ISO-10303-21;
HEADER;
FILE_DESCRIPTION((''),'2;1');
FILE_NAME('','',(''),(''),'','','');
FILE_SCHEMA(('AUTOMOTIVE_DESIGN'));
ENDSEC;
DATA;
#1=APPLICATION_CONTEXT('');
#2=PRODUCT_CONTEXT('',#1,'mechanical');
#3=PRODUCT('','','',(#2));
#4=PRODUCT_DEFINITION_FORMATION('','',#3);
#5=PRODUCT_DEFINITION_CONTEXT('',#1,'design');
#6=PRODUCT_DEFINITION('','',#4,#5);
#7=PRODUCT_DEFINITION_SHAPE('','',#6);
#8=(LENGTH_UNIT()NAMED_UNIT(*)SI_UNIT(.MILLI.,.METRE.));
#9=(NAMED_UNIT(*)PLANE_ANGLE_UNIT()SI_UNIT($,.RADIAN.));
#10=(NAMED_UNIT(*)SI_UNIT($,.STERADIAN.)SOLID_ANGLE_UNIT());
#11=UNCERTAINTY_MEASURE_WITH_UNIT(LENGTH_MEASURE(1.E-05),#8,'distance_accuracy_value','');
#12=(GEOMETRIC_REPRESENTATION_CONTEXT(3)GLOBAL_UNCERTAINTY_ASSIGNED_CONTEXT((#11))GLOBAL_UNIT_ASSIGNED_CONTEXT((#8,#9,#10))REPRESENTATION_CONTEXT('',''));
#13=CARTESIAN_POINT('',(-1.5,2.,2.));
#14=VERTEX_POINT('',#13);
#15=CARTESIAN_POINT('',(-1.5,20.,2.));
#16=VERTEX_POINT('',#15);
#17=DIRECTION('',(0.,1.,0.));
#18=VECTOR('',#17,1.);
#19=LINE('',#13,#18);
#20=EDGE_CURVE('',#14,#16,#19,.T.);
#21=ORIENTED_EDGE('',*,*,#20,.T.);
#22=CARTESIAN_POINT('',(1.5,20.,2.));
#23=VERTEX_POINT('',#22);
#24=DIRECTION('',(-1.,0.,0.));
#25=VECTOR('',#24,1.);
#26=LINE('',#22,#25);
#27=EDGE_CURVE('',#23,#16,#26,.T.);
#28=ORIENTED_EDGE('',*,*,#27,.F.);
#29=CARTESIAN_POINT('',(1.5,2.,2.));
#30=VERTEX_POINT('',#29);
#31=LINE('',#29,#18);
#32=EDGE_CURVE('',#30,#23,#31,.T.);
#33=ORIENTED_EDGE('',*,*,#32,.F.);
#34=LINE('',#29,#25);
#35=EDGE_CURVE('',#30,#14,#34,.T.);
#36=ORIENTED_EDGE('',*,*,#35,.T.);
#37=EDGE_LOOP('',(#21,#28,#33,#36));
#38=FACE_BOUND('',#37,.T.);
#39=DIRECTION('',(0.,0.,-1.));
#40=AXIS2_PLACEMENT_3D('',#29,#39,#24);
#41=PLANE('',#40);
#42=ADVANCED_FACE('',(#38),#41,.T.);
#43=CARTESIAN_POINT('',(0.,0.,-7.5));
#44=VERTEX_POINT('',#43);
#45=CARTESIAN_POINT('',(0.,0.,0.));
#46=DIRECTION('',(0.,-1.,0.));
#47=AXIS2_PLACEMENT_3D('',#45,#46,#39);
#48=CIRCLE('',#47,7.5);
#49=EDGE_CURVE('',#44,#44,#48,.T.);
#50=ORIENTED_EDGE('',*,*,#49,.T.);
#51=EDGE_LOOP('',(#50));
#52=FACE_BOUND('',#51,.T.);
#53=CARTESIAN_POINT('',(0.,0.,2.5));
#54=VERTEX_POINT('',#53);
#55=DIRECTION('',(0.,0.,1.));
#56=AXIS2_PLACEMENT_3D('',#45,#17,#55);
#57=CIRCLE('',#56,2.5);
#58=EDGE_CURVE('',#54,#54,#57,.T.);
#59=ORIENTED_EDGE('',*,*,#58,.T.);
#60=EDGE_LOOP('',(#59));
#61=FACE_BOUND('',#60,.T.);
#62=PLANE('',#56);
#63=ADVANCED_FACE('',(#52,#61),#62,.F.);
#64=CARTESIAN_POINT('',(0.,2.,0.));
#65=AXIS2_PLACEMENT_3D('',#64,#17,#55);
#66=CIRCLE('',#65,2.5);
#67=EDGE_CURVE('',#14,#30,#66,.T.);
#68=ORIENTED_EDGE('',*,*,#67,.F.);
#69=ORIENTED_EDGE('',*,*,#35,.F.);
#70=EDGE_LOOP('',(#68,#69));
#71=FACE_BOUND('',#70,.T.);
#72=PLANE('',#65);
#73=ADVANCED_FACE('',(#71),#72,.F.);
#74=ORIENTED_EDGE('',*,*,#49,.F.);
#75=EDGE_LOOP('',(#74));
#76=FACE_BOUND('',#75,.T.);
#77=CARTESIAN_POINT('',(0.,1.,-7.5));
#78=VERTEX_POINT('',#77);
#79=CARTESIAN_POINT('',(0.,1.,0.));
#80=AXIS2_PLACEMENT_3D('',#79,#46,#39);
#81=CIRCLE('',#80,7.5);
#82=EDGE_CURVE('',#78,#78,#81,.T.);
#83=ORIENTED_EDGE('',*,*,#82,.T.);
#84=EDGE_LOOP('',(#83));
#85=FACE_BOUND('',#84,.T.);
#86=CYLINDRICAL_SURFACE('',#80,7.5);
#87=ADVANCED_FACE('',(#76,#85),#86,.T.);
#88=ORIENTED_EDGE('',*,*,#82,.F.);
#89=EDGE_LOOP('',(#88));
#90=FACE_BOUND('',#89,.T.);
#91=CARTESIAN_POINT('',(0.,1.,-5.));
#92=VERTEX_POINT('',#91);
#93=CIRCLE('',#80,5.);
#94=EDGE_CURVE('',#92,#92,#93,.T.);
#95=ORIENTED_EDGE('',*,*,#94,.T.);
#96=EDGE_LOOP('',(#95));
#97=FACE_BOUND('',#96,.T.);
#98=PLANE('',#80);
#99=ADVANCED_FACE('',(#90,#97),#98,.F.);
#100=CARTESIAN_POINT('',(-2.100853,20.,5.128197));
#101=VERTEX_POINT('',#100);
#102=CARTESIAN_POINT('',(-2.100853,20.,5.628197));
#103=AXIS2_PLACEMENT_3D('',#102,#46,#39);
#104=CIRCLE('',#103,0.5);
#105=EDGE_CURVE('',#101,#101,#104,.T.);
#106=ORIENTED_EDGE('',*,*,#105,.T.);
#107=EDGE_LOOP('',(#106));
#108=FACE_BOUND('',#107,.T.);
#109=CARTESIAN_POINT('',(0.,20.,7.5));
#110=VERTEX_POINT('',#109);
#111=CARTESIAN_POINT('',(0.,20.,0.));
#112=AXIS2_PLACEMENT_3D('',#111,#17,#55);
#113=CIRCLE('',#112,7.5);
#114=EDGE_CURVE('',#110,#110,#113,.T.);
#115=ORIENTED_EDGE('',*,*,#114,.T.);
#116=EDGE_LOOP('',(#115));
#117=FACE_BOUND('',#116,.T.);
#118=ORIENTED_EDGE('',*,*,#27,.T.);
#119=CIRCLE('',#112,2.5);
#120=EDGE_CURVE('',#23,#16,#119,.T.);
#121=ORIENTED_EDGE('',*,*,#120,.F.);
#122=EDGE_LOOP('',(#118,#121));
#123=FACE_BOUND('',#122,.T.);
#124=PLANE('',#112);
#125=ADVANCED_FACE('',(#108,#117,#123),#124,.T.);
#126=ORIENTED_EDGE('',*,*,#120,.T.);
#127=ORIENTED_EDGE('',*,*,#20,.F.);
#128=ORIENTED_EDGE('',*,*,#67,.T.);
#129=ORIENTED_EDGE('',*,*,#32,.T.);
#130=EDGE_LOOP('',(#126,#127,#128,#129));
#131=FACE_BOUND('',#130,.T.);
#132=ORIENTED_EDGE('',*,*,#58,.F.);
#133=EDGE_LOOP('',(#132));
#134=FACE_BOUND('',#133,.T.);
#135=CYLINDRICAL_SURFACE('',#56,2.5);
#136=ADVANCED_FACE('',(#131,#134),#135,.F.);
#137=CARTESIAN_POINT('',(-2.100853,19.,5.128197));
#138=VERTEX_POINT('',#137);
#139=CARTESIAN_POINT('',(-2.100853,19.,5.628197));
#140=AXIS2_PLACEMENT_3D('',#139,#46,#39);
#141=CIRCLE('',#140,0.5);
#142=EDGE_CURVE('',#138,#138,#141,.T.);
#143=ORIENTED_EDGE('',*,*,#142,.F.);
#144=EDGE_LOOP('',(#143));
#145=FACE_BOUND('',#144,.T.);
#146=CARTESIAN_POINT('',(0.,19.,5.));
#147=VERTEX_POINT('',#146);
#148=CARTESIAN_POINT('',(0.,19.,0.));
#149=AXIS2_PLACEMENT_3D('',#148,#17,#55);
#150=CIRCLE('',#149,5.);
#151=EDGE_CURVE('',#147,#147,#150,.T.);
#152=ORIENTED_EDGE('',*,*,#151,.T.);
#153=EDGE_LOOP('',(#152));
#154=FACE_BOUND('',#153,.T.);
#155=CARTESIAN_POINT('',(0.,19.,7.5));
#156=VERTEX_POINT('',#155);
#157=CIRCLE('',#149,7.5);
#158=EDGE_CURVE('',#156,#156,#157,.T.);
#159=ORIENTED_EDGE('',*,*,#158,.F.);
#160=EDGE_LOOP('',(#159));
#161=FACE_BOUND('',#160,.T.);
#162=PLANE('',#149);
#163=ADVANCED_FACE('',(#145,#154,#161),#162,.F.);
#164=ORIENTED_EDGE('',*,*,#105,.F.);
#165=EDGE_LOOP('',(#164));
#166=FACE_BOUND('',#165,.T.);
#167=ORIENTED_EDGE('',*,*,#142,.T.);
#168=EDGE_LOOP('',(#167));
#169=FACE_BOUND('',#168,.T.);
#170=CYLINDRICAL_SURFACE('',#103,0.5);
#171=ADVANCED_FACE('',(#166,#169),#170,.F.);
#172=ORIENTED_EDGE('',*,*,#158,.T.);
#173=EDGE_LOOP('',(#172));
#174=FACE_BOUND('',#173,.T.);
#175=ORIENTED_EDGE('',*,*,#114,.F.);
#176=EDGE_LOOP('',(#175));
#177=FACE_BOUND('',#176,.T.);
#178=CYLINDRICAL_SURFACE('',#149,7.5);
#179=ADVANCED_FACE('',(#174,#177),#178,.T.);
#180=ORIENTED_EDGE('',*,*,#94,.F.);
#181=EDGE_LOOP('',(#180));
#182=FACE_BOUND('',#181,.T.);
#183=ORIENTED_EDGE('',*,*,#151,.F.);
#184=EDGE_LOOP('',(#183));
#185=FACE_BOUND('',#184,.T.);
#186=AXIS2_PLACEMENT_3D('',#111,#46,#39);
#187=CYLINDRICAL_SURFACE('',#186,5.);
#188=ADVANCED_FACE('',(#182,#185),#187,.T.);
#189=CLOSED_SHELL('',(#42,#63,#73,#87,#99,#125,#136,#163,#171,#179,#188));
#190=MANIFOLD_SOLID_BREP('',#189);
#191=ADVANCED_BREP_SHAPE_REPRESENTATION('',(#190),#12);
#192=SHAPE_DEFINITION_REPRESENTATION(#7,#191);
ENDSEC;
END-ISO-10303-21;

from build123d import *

# Parameters (mm, degrees)
SKETCH1_R           = 5
BOSS_EXTRUDE1_DEPTH = 20
SKETCH2_R           = 2.5
CUT_EXTRUDE1_DEPTH  = 21
BOSS_EXTRUDE2_DEPTH = 18
SKETCH5_R           = 7.5
SKETCH5_R_2         = 2.5
BOSS_EXTRUDE3_DEPTH = 1
SKETCH4_R           = 7.5
BOSS_EXTRUDE4_DEPTH = 1
SKETCH7_R           = 0.5
CUT_EXTRUDE2_DEPTH  = 2


with BuildPart() as part:
    # Sketch1 → Boss-Extrude1 (new body)
    with BuildSketch(Plane(origin=(0, 0, 0), x_dir=(1, 0, 0), z_dir=(0, 1, 0))):
        with Locations(Location((0, 0, 0), (0, 0, 270))):  # turned: the seam where the file's is
            Circle(SKETCH1_R)
    extrude(amount=BOSS_EXTRUDE1_DEPTH)

    # Sketch2 → Cut-Extrude1 (cut, through all)
    with BuildSketch(Plane(origin=(0, 20, 0), x_dir=(1, 0, 0), z_dir=(0, 1, 0))):
        with Locations(Location((0, 0, 0), (0, 0, 270))):  # turned: the seam where the file's is
            Circle(SKETCH2_R)
    extrude(amount=-CUT_EXTRUDE1_DEPTH, mode=Mode.SUBTRACT)

    # Sketch3 → Boss-Extrude2 (add)
    with BuildSketch(Plane(origin=(0, 20, 0), x_dir=(1, 0, 0), z_dir=(0, 1, 0))):
        with BuildLine():
            Line((1.5, -2), (-1.5, -2))
            ThreePointArc((-1.5, -2), (0, -2.5), (1.5, -2))
        make_face()
    extrude(amount=-BOSS_EXTRUDE2_DEPTH)

    # Sketch5 → Boss-Extrude3 (add)
    with BuildSketch(Plane.XZ):
        with Locations(Location((0, 0, 0), (0, 0, 270))):  # turned: the seam where the file's is
            Circle(SKETCH5_R)
        with Locations(Location((0, 0, 0), (0, 0, 90))):  # turned: the seam where the file's is
            Circle(SKETCH5_R_2, mode=Mode.SUBTRACT)
    extrude(amount=-BOSS_EXTRUDE3_DEPTH)

    # Sketch4 → Boss-Extrude4 (add)
    with BuildSketch(Plane(origin=(0, 20, 0), x_dir=(1, 0, 0), z_dir=(0, 1, 0))):
        with Locations(Location((0, 0, 0), (0, 0, 90))):  # turned: the seam where the file's is
            Circle(SKETCH4_R)
        with BuildLine():
            Line((1.5, -2), (-1.5, -2))
            ThreePointArc((-1.5, -2), (0, 2.5), (1.5, -2))
        make_face(mode=Mode.SUBTRACT)
    extrude(amount=-BOSS_EXTRUDE4_DEPTH)

    # Sketch7 → Cut-Extrude2 (cut, through all)
    with BuildSketch(Plane.XZ.offset(-19)):
        with Locations(Location((-2.100852557, 5.628196829, 0), (0, 0, 270))):  # turned: the seam where the file's is
            Circle(SKETCH7_R)
    extrude(amount=-CUT_EXTRUDE2_DEPTH, mode=Mode.SUBTRACT)


solid = part.part
